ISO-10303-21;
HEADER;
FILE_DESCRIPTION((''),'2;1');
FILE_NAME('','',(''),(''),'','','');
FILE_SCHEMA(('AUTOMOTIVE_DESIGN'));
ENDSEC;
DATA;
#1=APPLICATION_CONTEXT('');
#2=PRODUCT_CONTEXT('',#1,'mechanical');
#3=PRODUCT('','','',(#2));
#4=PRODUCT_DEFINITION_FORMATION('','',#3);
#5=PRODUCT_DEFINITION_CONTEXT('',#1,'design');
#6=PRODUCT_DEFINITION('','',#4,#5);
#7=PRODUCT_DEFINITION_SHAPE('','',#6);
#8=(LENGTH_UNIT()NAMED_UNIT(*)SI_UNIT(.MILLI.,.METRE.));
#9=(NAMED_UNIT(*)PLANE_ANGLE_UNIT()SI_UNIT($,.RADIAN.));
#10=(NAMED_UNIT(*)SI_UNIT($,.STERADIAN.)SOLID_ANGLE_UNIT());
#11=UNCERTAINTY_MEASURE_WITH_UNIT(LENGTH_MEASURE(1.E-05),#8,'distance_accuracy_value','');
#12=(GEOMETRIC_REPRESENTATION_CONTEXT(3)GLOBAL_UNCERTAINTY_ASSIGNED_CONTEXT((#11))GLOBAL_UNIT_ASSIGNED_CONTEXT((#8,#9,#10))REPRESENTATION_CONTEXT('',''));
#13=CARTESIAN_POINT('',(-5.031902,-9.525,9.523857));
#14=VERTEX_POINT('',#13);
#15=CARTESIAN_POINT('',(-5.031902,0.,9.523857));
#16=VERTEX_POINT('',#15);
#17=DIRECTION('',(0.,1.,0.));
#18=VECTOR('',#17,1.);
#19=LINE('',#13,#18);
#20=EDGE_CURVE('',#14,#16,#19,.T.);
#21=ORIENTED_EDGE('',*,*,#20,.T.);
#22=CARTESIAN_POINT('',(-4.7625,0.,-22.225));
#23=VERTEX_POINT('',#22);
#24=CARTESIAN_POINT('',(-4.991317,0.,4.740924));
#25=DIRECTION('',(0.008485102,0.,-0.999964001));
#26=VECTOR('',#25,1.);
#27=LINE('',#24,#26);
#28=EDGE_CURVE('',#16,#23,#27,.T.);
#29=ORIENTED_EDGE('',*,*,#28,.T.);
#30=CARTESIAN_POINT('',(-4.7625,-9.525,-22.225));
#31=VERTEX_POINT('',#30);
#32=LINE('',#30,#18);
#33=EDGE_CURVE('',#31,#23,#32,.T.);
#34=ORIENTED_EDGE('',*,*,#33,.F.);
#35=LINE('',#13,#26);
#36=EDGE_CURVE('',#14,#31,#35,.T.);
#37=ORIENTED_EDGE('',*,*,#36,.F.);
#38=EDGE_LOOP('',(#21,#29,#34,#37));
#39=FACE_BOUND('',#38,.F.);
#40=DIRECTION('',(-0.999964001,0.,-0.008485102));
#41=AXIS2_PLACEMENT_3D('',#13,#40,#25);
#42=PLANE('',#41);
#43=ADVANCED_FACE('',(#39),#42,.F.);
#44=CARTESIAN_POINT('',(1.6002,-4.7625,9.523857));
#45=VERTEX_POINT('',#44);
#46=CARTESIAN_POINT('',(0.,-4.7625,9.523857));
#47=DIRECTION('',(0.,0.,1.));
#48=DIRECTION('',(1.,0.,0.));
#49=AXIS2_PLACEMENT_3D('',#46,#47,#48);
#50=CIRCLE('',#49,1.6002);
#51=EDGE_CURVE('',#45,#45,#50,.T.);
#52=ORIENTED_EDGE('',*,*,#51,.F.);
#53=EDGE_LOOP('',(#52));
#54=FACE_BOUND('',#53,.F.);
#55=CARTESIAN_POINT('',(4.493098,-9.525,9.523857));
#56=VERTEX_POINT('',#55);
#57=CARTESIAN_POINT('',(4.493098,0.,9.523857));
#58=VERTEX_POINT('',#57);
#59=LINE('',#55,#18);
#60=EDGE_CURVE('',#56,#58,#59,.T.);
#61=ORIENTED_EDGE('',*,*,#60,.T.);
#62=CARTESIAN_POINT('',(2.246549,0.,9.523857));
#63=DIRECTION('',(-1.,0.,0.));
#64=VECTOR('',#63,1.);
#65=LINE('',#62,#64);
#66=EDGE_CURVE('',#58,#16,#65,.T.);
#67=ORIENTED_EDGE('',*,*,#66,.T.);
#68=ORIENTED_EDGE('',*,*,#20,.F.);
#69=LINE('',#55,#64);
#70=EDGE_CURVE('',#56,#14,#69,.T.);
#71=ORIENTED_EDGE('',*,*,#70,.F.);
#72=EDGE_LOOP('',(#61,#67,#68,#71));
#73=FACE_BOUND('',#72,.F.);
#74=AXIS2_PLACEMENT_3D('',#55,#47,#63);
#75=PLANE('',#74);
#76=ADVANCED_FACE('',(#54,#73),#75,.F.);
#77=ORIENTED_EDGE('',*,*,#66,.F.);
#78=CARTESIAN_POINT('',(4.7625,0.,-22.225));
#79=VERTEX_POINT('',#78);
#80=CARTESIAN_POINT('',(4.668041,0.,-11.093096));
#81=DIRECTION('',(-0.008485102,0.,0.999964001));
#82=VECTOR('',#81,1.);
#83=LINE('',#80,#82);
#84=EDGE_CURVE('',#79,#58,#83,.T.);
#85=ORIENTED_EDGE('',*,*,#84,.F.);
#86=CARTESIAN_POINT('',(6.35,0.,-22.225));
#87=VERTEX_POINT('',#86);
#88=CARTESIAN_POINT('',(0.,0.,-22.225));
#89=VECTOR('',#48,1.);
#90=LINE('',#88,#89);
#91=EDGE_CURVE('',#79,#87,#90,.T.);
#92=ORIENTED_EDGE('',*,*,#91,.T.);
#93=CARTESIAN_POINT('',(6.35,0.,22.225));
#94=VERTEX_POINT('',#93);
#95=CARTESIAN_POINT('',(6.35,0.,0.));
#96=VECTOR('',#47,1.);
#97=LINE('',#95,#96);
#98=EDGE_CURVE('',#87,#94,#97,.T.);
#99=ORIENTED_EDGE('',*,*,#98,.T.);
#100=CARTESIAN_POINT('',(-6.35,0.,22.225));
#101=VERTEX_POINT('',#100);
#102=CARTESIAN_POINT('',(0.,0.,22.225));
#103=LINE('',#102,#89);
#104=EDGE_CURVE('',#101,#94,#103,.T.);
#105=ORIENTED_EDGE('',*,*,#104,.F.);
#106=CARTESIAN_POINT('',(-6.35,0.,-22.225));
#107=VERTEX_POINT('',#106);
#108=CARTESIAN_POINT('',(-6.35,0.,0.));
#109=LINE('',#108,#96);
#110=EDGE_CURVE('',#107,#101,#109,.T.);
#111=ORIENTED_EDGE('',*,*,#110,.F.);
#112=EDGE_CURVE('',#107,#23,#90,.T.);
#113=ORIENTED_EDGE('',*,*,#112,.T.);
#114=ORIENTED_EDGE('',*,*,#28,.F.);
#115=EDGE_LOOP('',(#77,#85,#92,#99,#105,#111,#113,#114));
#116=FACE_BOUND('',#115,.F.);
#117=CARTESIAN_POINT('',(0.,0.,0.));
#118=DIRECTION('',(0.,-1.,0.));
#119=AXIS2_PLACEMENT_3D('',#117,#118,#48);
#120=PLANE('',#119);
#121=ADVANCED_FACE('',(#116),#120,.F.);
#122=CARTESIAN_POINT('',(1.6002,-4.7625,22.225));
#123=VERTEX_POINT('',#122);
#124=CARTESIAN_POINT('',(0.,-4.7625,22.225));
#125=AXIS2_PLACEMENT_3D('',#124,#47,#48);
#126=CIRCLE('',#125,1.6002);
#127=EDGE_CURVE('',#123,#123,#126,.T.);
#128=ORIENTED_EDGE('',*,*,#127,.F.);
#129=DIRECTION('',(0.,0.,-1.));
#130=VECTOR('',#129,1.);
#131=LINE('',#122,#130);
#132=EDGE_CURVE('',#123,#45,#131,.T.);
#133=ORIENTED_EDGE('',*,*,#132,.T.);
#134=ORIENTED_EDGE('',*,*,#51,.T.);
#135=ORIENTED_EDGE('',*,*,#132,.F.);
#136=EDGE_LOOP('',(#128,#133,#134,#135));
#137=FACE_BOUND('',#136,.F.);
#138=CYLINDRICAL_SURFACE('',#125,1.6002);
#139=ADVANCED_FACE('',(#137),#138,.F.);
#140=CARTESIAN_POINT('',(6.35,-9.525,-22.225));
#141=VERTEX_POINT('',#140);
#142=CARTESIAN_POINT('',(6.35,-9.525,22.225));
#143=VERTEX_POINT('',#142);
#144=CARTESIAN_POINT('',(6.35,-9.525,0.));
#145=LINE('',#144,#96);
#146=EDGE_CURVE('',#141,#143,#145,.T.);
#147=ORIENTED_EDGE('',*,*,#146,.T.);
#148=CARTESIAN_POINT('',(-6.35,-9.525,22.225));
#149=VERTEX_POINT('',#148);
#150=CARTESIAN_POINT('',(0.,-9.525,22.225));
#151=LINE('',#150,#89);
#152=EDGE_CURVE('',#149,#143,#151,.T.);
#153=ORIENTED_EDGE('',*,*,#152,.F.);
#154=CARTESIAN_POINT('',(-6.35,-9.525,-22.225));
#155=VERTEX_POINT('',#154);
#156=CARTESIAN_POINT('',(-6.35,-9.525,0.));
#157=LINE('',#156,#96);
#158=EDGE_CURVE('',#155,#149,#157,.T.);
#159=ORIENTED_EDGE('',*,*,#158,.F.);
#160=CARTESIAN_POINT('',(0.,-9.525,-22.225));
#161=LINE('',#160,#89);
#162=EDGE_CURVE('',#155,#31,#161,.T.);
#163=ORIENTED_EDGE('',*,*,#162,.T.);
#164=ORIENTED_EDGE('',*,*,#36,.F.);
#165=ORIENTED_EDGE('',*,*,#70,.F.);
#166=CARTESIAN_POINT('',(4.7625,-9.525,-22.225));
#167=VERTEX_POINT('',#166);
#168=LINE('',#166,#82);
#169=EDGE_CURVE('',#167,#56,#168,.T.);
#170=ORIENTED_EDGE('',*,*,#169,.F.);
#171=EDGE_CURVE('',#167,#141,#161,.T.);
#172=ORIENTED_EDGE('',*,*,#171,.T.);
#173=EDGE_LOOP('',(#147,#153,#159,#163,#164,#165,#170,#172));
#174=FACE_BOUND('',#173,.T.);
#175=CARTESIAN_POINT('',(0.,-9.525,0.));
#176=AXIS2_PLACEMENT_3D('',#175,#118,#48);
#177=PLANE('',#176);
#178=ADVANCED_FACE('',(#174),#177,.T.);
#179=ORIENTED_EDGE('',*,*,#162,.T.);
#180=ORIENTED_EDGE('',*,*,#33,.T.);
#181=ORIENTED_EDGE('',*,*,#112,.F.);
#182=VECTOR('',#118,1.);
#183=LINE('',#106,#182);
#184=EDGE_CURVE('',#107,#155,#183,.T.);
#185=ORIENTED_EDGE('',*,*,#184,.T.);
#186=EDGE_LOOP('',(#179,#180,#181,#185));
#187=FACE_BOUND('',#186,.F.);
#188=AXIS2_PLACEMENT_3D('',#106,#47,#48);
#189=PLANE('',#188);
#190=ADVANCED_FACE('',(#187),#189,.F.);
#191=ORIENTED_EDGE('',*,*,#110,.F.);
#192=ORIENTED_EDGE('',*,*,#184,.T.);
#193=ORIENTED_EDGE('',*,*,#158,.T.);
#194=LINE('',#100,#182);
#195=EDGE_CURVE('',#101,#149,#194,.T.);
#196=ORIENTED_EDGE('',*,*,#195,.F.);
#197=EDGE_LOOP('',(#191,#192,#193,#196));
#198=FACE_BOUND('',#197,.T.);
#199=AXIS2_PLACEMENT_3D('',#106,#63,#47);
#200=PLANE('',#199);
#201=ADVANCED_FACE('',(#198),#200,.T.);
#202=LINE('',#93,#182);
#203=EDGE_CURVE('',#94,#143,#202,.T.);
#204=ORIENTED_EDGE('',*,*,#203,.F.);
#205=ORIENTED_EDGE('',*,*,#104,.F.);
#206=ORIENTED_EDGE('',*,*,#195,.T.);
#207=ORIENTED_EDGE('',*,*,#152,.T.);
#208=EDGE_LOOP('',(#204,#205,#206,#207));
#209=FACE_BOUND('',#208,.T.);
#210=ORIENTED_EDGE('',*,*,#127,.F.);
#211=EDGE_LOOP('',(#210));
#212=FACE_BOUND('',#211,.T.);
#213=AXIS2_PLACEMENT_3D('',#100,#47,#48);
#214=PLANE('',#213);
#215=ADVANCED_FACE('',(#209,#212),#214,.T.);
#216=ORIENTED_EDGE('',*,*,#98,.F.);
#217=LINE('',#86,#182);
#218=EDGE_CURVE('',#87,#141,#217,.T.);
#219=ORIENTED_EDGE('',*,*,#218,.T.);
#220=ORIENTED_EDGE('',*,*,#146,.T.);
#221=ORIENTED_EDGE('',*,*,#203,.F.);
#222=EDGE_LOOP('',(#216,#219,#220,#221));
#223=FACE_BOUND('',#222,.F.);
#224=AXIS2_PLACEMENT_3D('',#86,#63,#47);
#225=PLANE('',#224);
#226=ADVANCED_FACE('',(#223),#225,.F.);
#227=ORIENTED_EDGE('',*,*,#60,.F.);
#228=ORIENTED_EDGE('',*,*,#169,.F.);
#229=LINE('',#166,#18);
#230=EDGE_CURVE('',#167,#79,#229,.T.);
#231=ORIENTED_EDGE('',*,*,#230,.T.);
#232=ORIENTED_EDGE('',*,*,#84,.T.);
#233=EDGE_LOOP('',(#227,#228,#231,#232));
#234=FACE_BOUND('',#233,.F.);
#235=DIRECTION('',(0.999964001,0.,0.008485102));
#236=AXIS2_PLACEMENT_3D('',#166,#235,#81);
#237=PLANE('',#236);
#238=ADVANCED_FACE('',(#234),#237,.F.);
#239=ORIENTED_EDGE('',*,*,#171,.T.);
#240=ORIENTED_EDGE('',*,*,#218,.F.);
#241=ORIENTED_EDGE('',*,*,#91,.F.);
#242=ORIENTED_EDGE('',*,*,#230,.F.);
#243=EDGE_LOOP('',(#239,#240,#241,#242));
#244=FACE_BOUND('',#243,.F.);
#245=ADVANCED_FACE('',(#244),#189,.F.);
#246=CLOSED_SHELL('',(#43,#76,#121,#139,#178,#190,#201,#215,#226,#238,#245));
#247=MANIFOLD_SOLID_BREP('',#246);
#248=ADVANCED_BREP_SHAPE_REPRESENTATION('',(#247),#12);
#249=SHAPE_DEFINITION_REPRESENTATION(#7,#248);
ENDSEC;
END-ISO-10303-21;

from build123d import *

# Parameters (mm, degrees)
F0_W     = 12.7
F0_H     = 44.45
F1_DEPTH = 9.525
F2_R     = 1.6002
F3_DEPTH = 25.4
F5_DEPTH = 25.4


with BuildPart() as f1:
    # F0 (on Front) → F1 (new body)
    with BuildSketch(Plane.XZ):
        Rectangle(F0_W, F0_H)
    extrude(amount=F1_DEPTH)

    # F2 (on face) → F3 (cut)
    with BuildSketch(Plane.XY.offset(22.225)):
        with Locations((0, -4.7625)):
            Circle(F2_R)
    extrude(amount=-F3_DEPTH, mode=Mode.SUBTRACT)

    # F4 (on face) → F5 (cut)
    with BuildSketch(Plane.XZ.offset(9.525)):
        Polygon((4.7625, -22.225), (4.493098, 9.523857), (-5.031902, 9.523857), (-4.7625, -22.225), align=None)
    extrude(amount=-F5_DEPTH, mode=Mode.SUBTRACT)


solid = f1.part
